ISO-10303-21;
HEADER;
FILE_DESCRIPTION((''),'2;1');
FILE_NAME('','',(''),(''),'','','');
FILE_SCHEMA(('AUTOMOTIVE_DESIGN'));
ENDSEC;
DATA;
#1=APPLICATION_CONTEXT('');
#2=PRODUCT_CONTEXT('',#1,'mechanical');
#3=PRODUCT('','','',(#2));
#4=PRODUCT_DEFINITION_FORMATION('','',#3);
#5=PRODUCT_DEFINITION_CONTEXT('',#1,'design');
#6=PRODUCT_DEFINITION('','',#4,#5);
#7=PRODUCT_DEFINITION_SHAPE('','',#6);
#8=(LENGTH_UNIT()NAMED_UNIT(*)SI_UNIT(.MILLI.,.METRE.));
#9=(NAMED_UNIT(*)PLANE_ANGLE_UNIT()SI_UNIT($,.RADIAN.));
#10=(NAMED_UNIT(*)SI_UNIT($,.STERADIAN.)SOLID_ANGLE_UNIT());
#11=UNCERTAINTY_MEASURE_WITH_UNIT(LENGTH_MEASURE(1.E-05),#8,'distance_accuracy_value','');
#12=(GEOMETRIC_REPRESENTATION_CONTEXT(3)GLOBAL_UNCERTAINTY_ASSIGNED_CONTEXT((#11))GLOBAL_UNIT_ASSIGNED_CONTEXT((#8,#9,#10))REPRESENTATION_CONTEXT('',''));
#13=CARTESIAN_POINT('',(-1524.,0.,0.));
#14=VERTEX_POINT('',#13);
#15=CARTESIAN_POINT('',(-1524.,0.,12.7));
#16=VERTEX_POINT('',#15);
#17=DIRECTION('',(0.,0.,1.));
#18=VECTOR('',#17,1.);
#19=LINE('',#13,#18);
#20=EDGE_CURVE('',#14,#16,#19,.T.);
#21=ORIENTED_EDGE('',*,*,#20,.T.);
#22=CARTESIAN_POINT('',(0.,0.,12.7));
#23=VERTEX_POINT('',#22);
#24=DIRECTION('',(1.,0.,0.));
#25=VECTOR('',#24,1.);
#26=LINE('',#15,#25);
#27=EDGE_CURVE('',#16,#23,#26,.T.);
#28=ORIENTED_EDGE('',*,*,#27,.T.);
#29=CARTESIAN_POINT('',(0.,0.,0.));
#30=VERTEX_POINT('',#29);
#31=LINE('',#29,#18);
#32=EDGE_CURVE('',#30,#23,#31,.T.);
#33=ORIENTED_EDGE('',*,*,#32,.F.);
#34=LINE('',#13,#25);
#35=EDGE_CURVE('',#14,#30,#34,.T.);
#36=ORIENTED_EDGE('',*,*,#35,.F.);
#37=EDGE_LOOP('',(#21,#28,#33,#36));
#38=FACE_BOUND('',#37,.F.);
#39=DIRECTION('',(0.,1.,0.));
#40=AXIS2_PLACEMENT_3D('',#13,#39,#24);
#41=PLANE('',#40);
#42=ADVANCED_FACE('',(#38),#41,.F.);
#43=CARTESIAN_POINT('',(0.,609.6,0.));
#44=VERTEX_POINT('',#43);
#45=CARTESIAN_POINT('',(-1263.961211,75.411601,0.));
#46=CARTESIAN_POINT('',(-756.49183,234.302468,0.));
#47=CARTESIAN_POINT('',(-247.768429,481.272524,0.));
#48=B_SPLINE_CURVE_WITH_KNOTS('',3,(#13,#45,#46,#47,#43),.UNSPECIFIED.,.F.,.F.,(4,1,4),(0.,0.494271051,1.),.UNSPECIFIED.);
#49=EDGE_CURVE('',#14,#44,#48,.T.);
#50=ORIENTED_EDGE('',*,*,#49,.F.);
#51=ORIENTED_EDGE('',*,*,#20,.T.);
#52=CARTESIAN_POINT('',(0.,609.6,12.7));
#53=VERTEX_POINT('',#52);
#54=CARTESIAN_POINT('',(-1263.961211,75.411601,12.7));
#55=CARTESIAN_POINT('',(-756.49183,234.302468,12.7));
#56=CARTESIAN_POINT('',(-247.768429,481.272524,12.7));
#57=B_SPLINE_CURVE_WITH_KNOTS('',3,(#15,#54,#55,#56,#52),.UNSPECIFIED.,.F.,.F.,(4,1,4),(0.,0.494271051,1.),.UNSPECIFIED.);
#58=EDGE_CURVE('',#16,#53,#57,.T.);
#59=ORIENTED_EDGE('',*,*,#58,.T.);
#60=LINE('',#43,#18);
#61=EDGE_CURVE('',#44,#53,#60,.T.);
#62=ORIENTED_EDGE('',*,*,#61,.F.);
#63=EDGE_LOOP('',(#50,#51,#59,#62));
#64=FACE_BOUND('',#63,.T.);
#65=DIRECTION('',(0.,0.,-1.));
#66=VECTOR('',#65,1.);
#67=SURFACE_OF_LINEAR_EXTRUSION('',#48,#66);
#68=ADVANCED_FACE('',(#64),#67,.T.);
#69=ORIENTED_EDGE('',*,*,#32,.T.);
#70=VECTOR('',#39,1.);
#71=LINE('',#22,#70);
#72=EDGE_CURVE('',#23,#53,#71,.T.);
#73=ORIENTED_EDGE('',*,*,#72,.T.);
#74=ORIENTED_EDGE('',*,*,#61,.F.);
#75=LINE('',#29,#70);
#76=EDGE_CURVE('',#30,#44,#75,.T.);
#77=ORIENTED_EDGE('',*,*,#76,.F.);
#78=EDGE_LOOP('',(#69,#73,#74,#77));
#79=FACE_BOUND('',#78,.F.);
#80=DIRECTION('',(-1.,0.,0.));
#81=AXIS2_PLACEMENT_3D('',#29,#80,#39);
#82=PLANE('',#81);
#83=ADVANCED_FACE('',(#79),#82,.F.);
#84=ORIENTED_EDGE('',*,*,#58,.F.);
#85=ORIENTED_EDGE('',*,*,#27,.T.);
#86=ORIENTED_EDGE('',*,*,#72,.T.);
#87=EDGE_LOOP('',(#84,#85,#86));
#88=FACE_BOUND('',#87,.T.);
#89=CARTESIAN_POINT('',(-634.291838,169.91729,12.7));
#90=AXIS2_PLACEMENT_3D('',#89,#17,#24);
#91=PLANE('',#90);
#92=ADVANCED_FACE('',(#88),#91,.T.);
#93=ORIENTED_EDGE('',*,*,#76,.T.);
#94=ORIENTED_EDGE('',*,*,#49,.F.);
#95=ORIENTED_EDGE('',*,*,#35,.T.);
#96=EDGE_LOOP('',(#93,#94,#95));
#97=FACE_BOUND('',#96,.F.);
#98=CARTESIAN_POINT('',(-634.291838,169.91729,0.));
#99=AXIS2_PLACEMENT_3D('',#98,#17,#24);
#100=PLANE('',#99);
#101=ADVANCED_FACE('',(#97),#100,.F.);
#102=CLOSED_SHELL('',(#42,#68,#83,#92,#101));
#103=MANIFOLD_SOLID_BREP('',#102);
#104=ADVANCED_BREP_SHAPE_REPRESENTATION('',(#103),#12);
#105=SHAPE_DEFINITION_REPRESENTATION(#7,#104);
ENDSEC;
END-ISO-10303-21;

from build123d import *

# Parameters (mm, degrees)
F1_DEPTH = 12.7


with BuildPart() as f1:
    # F0 (on Top) → F1 (new body)
    with BuildSketch(Plane.XY):
        with BuildLine():
            Line((0, 0), (0, 609.6))
            add(Edge.make_bspline(
                [(-1524, 0), (-1263.9612112678, 75.4116010911), (-756.4918300615, 234.3024682982), (-247.7684285329, 481.2725243811), (0, 609.6)],
                knots=[0, 0, 0, 0, 0.4942710514, 1, 1, 1, 1], degree=3))
            Line((-1524, 0), (0, 0))
        make_face()
    extrude(amount=F1_DEPTH)


solid = f1.part
